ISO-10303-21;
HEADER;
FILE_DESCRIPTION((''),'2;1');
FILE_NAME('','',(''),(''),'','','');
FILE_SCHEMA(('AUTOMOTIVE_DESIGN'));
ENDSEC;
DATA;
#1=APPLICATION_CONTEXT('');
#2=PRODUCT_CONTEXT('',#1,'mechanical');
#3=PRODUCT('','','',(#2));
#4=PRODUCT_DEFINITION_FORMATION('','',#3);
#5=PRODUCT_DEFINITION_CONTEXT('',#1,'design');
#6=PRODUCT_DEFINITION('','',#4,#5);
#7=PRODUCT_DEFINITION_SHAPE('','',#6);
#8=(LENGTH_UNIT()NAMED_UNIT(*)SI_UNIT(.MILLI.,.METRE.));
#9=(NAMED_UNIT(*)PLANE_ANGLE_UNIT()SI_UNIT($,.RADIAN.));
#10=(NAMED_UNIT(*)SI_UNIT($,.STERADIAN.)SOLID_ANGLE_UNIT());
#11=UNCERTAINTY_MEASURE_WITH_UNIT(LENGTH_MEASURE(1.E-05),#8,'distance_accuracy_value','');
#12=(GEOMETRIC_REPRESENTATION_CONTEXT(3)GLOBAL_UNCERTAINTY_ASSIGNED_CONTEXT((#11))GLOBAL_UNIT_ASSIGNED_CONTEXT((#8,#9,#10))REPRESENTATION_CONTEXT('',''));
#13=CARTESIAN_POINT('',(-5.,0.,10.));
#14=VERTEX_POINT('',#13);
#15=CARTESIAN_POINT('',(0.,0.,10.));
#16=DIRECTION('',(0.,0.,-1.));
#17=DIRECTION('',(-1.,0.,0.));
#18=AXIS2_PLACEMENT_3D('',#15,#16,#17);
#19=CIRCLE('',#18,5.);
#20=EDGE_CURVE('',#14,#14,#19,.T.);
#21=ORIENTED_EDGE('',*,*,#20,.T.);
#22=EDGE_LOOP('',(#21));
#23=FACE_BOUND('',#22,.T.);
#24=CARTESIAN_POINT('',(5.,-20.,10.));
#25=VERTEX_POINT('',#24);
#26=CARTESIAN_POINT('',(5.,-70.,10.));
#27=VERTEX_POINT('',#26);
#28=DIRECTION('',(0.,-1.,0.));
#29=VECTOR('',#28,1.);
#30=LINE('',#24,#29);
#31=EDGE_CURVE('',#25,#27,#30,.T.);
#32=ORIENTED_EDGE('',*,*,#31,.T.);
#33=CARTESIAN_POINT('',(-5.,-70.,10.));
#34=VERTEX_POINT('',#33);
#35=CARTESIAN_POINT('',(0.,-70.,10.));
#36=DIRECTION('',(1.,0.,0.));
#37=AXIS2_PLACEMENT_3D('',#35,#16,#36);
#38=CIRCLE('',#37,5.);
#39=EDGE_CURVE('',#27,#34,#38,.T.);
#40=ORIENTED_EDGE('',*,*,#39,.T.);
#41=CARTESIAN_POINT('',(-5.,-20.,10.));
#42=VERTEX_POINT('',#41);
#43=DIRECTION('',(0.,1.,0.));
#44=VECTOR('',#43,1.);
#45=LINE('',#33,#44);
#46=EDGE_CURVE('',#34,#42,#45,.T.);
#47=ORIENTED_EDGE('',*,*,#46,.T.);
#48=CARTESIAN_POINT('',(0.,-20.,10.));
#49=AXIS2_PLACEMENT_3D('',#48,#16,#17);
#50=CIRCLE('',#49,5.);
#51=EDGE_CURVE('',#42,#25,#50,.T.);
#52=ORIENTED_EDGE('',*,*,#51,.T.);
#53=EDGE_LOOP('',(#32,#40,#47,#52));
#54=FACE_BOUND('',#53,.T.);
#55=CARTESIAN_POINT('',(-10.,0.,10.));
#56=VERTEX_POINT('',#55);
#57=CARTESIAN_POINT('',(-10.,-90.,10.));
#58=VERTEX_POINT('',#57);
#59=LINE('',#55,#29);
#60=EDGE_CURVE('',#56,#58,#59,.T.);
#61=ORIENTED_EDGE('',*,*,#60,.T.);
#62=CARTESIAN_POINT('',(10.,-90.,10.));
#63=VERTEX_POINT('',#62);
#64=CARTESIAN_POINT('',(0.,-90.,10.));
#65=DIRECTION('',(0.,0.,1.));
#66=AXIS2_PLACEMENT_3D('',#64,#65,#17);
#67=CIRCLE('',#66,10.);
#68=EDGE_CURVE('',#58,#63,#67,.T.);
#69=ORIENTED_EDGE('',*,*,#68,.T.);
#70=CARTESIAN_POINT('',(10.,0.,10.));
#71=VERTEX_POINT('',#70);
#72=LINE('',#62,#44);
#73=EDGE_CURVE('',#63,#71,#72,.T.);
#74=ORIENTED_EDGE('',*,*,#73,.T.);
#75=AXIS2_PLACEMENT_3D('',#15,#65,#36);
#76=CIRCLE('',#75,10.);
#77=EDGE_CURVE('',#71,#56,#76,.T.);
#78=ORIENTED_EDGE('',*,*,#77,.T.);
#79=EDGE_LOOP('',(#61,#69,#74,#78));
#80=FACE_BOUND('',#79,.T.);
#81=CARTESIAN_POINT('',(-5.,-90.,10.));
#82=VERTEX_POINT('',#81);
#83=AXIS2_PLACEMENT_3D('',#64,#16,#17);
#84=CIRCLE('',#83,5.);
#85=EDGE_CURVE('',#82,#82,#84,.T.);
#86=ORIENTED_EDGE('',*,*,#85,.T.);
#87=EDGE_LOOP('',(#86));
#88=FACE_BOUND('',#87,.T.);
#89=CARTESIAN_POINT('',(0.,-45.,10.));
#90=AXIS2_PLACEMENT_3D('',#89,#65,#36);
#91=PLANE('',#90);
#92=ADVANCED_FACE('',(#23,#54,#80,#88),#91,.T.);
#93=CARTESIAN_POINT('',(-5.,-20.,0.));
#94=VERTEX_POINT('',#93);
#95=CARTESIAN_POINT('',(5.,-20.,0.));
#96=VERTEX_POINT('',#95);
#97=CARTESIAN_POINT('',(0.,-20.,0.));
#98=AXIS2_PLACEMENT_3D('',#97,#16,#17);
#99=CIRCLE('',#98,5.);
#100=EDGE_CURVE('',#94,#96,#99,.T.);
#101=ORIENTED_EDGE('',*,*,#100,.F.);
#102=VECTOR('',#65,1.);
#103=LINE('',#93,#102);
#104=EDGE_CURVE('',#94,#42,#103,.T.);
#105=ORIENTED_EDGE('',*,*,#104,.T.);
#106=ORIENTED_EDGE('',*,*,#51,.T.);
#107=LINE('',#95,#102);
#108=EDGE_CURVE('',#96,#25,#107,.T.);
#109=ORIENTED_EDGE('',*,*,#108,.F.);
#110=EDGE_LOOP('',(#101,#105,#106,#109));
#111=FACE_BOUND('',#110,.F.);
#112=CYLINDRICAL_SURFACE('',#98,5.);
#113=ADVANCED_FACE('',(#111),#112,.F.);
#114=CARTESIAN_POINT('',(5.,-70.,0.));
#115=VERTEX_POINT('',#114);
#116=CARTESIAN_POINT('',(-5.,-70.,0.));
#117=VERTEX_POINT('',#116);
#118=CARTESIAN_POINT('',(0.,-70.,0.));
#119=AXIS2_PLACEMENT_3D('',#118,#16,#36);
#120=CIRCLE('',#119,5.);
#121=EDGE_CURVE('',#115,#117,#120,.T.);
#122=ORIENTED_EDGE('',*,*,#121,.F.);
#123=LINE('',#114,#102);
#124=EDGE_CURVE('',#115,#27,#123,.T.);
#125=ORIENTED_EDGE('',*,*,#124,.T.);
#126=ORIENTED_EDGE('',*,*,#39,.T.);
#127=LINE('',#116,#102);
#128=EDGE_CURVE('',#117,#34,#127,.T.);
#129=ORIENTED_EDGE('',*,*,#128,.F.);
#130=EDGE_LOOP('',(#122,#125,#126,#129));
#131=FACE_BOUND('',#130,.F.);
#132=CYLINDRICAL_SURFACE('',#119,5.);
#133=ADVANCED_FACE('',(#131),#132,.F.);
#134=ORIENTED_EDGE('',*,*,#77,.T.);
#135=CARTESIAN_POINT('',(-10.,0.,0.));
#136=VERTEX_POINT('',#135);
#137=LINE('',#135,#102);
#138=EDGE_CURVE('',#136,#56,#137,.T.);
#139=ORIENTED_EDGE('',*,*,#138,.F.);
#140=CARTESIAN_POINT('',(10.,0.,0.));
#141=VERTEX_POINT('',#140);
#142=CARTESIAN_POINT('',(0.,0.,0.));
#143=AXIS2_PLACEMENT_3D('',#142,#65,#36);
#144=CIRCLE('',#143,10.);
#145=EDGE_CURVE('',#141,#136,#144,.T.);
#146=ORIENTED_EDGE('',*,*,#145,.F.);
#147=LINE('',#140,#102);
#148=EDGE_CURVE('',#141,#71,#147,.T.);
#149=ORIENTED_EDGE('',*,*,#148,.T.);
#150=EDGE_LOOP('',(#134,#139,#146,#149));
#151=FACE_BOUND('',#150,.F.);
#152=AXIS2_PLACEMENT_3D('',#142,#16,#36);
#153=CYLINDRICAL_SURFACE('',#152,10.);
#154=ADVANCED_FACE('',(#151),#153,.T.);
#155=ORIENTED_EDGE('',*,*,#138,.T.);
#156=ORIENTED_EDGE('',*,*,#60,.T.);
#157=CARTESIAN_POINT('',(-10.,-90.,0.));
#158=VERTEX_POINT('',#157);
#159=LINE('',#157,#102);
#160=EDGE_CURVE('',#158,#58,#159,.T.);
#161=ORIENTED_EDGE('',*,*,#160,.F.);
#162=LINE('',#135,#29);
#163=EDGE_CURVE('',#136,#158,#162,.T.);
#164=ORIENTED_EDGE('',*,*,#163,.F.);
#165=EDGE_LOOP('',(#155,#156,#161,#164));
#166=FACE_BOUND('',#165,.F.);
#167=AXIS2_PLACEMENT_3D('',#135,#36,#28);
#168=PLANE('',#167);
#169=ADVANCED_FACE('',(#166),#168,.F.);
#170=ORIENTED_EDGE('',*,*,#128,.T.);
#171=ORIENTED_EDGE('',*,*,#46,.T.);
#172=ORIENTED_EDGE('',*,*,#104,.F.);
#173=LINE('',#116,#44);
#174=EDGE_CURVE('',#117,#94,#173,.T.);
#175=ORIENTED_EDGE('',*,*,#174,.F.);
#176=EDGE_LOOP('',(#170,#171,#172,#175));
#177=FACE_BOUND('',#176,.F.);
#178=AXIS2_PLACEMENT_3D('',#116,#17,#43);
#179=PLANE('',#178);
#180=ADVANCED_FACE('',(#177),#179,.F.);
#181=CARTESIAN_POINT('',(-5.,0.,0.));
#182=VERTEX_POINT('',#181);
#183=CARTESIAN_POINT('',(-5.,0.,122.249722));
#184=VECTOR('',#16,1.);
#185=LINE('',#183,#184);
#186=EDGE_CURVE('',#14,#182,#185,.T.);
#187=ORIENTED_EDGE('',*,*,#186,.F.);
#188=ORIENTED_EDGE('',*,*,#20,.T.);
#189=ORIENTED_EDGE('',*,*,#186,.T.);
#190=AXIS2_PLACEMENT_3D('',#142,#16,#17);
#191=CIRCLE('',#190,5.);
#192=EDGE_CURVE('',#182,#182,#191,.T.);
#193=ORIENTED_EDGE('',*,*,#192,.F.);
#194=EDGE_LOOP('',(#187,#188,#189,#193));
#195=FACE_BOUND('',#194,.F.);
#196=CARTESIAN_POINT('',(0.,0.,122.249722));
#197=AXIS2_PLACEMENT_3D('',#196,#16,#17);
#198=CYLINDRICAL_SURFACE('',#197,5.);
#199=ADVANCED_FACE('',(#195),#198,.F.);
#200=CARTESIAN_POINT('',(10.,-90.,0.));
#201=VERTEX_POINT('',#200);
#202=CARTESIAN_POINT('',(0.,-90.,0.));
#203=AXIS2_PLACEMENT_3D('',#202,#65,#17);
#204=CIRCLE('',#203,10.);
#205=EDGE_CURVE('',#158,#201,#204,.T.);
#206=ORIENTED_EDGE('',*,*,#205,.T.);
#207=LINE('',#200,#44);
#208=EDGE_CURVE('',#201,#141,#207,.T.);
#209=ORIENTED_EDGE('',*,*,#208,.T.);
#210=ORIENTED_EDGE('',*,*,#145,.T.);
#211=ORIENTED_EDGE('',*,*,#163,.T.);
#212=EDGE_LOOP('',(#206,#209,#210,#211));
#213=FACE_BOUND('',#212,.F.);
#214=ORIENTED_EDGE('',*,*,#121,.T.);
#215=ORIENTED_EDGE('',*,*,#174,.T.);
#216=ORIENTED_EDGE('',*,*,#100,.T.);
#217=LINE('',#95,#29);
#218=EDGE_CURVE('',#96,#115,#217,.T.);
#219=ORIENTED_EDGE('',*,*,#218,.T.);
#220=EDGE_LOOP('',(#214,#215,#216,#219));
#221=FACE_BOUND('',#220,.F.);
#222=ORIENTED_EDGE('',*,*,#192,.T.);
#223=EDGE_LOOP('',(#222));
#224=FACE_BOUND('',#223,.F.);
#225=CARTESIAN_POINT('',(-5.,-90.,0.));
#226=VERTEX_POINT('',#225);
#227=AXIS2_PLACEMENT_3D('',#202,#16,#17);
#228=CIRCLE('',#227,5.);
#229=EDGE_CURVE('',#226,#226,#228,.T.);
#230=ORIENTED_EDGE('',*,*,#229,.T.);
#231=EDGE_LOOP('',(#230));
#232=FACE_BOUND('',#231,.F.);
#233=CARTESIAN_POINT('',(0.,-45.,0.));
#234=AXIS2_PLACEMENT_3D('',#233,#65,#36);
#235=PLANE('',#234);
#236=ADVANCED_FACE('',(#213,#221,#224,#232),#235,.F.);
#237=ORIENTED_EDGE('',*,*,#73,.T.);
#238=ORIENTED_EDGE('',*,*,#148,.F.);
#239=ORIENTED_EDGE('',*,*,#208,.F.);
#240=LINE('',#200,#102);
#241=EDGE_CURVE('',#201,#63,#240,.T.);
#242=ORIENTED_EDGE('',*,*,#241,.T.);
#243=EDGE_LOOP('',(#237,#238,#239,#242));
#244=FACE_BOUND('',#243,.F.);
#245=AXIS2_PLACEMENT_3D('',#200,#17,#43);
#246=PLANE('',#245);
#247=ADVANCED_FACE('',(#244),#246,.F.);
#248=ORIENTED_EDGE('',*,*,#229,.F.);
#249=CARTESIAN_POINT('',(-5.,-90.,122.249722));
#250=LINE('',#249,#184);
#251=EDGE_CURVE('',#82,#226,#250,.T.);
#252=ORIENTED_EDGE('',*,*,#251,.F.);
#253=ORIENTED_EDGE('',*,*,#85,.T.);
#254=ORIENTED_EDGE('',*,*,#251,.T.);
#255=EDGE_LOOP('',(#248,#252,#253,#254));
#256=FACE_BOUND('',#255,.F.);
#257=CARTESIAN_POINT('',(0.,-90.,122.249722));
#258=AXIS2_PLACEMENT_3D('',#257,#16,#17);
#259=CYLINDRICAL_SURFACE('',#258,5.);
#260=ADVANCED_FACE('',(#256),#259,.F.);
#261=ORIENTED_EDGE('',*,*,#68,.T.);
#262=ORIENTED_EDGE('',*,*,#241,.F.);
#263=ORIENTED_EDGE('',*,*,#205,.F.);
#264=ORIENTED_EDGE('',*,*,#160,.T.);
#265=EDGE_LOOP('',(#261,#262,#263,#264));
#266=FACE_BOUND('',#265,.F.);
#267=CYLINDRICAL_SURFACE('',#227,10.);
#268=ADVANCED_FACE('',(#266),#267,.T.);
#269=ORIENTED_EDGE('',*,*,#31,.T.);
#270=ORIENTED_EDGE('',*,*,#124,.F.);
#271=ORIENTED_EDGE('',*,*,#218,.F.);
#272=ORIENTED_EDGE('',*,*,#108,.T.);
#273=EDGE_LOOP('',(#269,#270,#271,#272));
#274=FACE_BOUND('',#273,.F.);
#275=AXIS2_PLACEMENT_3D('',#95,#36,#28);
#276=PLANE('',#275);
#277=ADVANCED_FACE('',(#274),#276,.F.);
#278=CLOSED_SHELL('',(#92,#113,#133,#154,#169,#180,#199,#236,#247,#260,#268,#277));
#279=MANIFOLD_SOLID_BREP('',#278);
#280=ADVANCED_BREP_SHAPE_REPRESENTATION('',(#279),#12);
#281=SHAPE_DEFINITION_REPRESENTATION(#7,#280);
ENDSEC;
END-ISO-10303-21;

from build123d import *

# Parameters (mm, degrees)
F1_DEPTH = 10
F3_D     = 10


with BuildPart() as f1:
    # F0 (on Top) → F1 (new body)
    with BuildSketch(Plane.XY):
        with BuildLine():
            Line((10, -90), (10, 0))
            ThreePointArc((10, 0), (0, 10), (-10, 0))
            Line((-10, 0), (-10, -90))
            ThreePointArc((-10, -90), (0, -100), (10, -90))
        make_face()
        with BuildLine():
            ThreePointArc((-5, -20), (0, -15), (5, -20))
            Line((5, -20), (5, -70))
            ThreePointArc((5, -70), (0, -75), (-5, -70))
            Line((-5, -70), (-5, -20))
        make_face(mode=Mode.SUBTRACT)
    extrude(amount=F1_DEPTH)

    # F3 (through all)
    with Locations(Plane.XY.offset(10)):
        with Locations((0, 0), (0, -90)):
            Hole(F3_D / 2)


solid = f1.part
